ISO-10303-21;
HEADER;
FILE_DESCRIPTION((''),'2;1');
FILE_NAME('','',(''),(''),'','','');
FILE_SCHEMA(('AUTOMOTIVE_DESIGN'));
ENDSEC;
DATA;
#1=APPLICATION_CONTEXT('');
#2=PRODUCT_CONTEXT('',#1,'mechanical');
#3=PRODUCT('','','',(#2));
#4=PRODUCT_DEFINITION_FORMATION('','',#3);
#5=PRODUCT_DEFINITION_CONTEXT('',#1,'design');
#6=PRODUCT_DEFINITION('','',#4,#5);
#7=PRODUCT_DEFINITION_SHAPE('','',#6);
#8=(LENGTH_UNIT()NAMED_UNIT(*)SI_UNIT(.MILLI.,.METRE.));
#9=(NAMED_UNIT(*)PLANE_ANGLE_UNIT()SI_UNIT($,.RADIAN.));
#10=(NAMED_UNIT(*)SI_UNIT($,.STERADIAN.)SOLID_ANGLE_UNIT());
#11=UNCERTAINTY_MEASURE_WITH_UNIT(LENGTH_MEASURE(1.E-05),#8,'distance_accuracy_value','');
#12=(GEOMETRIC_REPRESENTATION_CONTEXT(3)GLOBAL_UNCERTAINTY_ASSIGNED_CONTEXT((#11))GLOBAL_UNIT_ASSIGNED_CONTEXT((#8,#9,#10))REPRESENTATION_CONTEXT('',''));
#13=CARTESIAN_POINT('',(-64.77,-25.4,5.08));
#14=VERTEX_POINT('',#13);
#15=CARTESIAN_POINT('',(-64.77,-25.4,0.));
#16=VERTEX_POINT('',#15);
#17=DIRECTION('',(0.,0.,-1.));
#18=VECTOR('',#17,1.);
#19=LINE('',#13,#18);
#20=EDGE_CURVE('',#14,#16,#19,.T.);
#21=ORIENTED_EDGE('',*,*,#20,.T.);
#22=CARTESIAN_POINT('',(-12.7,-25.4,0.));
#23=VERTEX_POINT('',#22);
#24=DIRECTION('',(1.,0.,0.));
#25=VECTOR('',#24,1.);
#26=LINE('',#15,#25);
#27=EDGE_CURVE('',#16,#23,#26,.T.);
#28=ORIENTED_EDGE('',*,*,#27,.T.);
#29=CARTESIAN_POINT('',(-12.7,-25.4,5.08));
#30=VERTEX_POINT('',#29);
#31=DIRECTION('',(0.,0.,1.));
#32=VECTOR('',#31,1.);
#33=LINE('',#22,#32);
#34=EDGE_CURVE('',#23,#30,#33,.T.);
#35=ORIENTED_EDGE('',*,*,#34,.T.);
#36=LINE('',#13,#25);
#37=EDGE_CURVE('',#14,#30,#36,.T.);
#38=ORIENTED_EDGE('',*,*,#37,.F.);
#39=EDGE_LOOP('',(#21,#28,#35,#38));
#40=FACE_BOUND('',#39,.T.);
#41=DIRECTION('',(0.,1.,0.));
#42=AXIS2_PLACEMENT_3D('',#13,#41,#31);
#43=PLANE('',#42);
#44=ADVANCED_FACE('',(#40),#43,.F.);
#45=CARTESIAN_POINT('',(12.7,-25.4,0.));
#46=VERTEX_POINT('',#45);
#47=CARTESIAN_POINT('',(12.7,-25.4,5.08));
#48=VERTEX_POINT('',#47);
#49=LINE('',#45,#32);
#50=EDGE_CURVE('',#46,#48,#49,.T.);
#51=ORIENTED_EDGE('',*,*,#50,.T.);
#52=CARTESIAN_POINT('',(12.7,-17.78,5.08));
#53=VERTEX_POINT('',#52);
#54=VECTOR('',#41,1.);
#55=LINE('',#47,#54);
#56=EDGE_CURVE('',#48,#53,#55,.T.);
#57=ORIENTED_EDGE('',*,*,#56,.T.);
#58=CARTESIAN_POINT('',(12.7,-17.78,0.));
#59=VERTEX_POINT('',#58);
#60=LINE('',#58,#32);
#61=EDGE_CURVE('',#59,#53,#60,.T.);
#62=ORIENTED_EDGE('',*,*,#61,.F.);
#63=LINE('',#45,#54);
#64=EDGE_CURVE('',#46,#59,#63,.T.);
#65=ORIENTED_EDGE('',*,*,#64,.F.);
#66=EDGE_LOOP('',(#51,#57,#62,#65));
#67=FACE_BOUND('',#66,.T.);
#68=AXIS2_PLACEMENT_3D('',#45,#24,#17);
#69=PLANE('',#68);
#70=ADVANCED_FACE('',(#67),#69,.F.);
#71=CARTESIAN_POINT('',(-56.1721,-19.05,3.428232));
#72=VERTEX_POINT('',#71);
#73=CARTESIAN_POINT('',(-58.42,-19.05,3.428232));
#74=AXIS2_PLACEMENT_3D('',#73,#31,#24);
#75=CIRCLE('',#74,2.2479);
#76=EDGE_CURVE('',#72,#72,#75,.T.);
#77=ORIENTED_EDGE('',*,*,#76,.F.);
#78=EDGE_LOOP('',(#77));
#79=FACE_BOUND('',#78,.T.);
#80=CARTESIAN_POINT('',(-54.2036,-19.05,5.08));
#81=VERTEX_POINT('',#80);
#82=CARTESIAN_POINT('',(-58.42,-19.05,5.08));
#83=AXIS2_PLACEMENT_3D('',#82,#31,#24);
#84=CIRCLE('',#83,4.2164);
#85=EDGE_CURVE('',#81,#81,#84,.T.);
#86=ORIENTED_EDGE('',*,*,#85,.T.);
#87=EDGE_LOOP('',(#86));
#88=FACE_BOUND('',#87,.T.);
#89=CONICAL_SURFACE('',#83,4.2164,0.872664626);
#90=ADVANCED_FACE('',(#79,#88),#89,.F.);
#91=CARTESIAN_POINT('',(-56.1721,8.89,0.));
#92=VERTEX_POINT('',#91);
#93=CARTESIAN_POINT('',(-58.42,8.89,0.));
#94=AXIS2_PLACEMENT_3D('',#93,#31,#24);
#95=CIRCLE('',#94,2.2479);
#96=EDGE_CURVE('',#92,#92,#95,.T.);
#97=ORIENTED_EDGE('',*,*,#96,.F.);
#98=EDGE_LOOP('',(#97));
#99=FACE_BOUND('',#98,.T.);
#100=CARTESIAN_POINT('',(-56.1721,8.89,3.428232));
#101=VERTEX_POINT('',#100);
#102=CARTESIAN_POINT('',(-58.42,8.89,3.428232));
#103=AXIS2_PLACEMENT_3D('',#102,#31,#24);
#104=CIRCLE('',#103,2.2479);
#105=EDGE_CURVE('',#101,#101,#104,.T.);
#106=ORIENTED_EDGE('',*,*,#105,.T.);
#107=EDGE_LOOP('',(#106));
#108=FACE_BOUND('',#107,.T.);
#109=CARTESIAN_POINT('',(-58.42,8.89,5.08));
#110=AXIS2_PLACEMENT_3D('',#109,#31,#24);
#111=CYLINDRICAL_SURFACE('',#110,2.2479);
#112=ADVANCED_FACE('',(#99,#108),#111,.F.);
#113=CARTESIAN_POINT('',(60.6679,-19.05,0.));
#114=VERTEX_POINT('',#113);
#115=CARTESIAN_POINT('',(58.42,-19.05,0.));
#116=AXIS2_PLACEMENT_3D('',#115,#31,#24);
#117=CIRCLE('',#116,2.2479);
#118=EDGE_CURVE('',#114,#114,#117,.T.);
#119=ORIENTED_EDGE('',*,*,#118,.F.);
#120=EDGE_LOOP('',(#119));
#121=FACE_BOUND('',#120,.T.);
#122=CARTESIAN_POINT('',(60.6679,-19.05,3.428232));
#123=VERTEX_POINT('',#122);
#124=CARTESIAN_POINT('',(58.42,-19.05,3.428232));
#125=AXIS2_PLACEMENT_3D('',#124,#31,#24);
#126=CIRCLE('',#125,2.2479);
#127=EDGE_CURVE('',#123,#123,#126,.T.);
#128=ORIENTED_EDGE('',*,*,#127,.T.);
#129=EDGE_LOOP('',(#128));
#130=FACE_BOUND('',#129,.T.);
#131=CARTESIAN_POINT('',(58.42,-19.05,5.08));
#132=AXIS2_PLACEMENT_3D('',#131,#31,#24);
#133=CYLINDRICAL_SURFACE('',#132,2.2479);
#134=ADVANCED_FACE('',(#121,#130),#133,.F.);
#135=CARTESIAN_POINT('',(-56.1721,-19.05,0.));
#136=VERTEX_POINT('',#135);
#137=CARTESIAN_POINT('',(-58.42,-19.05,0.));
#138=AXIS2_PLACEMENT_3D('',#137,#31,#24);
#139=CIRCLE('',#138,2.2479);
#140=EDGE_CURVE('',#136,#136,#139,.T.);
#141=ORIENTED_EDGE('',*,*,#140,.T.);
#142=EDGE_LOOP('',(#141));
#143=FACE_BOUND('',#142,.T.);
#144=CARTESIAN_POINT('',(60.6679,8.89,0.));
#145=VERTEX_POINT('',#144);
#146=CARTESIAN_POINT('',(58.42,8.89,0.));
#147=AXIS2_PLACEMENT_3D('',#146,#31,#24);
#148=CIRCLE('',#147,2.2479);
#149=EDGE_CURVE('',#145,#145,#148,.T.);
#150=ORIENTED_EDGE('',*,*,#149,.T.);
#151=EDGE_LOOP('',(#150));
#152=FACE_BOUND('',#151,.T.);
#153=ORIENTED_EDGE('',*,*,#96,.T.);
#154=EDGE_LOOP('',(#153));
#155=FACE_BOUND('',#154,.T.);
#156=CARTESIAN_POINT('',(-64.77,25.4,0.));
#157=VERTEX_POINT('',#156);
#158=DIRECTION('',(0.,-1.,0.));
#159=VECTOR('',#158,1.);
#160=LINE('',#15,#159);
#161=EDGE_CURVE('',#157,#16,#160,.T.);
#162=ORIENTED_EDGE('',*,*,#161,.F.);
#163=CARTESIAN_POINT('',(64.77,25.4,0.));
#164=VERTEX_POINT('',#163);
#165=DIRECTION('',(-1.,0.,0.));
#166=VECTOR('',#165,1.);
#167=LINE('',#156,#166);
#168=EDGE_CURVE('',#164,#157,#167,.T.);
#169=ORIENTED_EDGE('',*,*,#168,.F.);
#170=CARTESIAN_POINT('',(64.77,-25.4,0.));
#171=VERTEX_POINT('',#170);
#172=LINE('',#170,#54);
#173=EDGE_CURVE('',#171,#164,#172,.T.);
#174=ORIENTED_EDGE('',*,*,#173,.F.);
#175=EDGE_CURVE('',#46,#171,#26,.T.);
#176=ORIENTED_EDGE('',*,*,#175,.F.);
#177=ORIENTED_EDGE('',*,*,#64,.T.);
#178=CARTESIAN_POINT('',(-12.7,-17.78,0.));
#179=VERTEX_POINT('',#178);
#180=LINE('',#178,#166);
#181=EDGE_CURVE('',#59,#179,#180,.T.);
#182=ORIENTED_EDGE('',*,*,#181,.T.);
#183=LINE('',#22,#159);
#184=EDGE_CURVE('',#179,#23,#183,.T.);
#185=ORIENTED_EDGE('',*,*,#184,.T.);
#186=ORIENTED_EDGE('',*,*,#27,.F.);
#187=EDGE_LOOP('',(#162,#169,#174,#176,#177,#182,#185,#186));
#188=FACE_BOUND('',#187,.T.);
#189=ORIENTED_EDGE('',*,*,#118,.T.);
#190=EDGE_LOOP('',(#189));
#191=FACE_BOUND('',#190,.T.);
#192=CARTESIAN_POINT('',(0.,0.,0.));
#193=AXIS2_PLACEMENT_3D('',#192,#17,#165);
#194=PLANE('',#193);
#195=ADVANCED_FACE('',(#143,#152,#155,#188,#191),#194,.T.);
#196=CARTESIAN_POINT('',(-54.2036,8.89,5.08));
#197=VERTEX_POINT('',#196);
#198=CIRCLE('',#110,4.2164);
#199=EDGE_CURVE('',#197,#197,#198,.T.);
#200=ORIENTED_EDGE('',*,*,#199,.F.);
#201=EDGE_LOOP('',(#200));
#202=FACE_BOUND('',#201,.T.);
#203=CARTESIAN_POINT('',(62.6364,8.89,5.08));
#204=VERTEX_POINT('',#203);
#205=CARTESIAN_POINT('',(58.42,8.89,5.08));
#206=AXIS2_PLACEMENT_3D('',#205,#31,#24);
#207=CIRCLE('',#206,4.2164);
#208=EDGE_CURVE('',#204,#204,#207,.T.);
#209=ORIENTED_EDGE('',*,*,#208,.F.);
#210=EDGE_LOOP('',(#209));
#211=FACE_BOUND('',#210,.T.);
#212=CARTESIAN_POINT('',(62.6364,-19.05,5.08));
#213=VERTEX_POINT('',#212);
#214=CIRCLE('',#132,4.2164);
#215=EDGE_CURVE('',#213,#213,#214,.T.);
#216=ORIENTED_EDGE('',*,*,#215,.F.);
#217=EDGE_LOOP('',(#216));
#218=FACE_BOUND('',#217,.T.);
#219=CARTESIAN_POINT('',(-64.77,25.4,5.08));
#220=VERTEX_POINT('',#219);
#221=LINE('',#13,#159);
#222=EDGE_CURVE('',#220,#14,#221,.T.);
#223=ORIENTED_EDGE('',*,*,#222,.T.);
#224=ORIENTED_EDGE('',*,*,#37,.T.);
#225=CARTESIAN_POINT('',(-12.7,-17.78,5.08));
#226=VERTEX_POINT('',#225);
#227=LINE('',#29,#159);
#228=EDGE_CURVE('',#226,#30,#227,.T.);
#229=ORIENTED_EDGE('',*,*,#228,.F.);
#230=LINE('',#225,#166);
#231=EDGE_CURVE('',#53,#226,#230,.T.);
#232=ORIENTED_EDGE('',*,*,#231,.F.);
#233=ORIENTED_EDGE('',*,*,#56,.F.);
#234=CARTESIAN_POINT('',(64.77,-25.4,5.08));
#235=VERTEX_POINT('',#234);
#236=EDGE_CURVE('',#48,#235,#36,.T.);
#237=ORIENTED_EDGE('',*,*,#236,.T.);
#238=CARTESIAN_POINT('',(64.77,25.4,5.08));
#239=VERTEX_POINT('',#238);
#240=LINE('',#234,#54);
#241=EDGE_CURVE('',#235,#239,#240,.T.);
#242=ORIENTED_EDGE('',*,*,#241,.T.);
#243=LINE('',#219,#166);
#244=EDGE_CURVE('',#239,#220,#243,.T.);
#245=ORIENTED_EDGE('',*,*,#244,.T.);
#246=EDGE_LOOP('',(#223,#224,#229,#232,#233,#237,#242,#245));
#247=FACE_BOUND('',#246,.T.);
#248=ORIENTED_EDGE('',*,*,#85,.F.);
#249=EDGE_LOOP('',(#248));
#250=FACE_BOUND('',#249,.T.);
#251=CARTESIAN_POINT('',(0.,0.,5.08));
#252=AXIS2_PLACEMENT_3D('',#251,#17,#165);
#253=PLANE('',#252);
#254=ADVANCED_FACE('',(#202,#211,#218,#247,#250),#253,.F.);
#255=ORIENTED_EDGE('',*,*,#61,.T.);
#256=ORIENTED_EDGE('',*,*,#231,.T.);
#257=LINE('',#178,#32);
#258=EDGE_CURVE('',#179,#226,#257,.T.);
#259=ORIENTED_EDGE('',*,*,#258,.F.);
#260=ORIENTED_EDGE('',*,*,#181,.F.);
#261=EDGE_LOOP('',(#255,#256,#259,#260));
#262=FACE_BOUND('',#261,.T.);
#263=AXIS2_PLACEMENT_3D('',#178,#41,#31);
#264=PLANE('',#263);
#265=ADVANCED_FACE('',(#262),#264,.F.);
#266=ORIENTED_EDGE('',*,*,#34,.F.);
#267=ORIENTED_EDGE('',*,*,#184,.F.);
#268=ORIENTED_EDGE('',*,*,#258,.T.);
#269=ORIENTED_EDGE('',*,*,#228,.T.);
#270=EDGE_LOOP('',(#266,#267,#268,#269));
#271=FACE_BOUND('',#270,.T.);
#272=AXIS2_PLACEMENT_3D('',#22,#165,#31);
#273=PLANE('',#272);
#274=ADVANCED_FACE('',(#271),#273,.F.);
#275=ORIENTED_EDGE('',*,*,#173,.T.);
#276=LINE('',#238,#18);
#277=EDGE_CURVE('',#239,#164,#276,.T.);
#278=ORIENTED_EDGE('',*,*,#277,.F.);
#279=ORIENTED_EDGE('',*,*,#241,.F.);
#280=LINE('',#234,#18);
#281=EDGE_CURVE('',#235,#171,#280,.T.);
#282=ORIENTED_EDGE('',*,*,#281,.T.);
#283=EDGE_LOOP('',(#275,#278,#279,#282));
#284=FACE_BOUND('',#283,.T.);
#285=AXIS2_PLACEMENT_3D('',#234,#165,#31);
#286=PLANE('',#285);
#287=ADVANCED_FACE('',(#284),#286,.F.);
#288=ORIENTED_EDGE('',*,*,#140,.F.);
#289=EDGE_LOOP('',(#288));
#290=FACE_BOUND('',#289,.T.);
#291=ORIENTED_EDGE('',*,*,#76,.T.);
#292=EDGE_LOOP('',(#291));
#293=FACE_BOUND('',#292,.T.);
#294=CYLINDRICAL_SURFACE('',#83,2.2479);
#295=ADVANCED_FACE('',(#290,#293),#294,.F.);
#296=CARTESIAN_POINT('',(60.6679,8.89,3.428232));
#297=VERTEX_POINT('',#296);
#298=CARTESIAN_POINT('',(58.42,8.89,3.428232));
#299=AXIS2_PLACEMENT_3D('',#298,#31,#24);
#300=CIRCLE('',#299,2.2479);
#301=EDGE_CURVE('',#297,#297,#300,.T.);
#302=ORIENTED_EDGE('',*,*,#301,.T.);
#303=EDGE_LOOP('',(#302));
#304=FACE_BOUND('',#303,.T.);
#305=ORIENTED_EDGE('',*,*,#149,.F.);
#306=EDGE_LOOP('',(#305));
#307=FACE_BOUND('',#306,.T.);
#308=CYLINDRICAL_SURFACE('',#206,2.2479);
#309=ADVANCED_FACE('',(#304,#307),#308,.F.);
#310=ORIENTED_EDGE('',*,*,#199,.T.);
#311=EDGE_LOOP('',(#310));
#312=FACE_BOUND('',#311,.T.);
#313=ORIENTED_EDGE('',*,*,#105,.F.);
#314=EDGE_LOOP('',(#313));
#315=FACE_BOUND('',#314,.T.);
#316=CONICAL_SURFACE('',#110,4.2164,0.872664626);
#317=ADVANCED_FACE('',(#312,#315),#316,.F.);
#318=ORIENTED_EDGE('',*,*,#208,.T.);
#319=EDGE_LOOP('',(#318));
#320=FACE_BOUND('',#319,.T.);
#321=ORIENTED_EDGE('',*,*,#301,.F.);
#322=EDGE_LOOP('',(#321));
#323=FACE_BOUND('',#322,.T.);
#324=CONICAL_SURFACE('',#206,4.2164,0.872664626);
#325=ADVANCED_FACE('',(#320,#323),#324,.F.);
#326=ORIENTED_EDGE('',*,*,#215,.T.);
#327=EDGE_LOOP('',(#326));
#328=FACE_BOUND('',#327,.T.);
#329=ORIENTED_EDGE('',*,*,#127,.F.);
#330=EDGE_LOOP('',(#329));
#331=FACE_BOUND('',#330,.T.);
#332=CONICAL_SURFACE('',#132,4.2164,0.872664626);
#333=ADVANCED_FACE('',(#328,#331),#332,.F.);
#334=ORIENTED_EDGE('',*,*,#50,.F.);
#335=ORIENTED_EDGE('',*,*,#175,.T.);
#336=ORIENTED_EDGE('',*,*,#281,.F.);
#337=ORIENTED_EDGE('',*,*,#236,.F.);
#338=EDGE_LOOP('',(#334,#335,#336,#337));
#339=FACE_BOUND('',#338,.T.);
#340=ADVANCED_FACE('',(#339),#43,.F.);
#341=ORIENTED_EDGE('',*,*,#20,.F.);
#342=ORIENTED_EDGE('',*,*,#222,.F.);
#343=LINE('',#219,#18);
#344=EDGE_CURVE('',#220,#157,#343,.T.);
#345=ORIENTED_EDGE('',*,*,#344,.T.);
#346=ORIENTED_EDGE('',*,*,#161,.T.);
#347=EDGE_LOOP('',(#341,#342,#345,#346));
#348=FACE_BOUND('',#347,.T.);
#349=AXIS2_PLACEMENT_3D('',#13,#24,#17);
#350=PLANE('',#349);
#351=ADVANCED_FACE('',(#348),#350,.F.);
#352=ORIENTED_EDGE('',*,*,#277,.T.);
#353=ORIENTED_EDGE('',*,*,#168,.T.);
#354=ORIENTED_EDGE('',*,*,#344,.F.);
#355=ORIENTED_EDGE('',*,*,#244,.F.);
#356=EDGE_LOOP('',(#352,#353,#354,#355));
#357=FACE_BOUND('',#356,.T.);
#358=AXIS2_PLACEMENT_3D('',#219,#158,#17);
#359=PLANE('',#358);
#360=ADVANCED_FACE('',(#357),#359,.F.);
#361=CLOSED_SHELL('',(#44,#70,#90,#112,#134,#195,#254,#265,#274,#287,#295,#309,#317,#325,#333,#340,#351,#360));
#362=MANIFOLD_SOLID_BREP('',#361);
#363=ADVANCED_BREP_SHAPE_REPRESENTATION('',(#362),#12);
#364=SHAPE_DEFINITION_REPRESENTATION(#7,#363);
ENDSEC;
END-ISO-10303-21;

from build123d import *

# Parameters (mm, degrees)
SKETCH1_W                                         = 129.54
SKETCH1_H                                         = 50.8
BOSS_EXTRUDE1_DEPTH                               = 5.08
CSK_FOR_8_FLAT_HEAD_MACHINE_SCREW_100_D           = 4.4958
CSK_FOR_8_FLAT_HEAD_MACHINE_SCREW_100_CSINK_D     = 8.4328
CSK_FOR_8_FLAT_HEAD_MACHINE_SCREW_100_CSINK_ANGLE = 100
SKETCH5_W                                         = 25.4
SKETCH5_H                                         = 7.62
CUT_EXTRUDE1_DEPTH                                = 6.08


with BuildPart() as part:
    # Sketch1 → Boss-Extrude1 (new body)
    with BuildSketch(Plane.XY):
        Rectangle(SKETCH1_W, SKETCH1_H)
    extrude(amount=BOSS_EXTRUDE1_DEPTH)

    # CSK for #8 Flat Head Machine Screw (100)1 (through all)
    with Locations(Plane.XY.offset(5.08)):
        with Locations((-58.42, 8.89), (-58.42, -19.05), (58.42, -19.05), (58.42, 8.89)):
            CounterSinkHole(CSK_FOR_8_FLAT_HEAD_MACHINE_SCREW_100_D / 2, CSK_FOR_8_FLAT_HEAD_MACHINE_SCREW_100_CSINK_D / 2, counter_sink_angle=CSK_FOR_8_FLAT_HEAD_MACHINE_SCREW_100_CSINK_ANGLE)

    # Sketch5 → Cut-Extrude1 (cut, through all)
    with BuildSketch(Plane.XY.offset(5.08)):
        with Locations((0, -21.59)):
            Rectangle(SKETCH5_W, SKETCH5_H)
    extrude(amount=-CUT_EXTRUDE1_DEPTH, mode=Mode.SUBTRACT)


solid = part.part
